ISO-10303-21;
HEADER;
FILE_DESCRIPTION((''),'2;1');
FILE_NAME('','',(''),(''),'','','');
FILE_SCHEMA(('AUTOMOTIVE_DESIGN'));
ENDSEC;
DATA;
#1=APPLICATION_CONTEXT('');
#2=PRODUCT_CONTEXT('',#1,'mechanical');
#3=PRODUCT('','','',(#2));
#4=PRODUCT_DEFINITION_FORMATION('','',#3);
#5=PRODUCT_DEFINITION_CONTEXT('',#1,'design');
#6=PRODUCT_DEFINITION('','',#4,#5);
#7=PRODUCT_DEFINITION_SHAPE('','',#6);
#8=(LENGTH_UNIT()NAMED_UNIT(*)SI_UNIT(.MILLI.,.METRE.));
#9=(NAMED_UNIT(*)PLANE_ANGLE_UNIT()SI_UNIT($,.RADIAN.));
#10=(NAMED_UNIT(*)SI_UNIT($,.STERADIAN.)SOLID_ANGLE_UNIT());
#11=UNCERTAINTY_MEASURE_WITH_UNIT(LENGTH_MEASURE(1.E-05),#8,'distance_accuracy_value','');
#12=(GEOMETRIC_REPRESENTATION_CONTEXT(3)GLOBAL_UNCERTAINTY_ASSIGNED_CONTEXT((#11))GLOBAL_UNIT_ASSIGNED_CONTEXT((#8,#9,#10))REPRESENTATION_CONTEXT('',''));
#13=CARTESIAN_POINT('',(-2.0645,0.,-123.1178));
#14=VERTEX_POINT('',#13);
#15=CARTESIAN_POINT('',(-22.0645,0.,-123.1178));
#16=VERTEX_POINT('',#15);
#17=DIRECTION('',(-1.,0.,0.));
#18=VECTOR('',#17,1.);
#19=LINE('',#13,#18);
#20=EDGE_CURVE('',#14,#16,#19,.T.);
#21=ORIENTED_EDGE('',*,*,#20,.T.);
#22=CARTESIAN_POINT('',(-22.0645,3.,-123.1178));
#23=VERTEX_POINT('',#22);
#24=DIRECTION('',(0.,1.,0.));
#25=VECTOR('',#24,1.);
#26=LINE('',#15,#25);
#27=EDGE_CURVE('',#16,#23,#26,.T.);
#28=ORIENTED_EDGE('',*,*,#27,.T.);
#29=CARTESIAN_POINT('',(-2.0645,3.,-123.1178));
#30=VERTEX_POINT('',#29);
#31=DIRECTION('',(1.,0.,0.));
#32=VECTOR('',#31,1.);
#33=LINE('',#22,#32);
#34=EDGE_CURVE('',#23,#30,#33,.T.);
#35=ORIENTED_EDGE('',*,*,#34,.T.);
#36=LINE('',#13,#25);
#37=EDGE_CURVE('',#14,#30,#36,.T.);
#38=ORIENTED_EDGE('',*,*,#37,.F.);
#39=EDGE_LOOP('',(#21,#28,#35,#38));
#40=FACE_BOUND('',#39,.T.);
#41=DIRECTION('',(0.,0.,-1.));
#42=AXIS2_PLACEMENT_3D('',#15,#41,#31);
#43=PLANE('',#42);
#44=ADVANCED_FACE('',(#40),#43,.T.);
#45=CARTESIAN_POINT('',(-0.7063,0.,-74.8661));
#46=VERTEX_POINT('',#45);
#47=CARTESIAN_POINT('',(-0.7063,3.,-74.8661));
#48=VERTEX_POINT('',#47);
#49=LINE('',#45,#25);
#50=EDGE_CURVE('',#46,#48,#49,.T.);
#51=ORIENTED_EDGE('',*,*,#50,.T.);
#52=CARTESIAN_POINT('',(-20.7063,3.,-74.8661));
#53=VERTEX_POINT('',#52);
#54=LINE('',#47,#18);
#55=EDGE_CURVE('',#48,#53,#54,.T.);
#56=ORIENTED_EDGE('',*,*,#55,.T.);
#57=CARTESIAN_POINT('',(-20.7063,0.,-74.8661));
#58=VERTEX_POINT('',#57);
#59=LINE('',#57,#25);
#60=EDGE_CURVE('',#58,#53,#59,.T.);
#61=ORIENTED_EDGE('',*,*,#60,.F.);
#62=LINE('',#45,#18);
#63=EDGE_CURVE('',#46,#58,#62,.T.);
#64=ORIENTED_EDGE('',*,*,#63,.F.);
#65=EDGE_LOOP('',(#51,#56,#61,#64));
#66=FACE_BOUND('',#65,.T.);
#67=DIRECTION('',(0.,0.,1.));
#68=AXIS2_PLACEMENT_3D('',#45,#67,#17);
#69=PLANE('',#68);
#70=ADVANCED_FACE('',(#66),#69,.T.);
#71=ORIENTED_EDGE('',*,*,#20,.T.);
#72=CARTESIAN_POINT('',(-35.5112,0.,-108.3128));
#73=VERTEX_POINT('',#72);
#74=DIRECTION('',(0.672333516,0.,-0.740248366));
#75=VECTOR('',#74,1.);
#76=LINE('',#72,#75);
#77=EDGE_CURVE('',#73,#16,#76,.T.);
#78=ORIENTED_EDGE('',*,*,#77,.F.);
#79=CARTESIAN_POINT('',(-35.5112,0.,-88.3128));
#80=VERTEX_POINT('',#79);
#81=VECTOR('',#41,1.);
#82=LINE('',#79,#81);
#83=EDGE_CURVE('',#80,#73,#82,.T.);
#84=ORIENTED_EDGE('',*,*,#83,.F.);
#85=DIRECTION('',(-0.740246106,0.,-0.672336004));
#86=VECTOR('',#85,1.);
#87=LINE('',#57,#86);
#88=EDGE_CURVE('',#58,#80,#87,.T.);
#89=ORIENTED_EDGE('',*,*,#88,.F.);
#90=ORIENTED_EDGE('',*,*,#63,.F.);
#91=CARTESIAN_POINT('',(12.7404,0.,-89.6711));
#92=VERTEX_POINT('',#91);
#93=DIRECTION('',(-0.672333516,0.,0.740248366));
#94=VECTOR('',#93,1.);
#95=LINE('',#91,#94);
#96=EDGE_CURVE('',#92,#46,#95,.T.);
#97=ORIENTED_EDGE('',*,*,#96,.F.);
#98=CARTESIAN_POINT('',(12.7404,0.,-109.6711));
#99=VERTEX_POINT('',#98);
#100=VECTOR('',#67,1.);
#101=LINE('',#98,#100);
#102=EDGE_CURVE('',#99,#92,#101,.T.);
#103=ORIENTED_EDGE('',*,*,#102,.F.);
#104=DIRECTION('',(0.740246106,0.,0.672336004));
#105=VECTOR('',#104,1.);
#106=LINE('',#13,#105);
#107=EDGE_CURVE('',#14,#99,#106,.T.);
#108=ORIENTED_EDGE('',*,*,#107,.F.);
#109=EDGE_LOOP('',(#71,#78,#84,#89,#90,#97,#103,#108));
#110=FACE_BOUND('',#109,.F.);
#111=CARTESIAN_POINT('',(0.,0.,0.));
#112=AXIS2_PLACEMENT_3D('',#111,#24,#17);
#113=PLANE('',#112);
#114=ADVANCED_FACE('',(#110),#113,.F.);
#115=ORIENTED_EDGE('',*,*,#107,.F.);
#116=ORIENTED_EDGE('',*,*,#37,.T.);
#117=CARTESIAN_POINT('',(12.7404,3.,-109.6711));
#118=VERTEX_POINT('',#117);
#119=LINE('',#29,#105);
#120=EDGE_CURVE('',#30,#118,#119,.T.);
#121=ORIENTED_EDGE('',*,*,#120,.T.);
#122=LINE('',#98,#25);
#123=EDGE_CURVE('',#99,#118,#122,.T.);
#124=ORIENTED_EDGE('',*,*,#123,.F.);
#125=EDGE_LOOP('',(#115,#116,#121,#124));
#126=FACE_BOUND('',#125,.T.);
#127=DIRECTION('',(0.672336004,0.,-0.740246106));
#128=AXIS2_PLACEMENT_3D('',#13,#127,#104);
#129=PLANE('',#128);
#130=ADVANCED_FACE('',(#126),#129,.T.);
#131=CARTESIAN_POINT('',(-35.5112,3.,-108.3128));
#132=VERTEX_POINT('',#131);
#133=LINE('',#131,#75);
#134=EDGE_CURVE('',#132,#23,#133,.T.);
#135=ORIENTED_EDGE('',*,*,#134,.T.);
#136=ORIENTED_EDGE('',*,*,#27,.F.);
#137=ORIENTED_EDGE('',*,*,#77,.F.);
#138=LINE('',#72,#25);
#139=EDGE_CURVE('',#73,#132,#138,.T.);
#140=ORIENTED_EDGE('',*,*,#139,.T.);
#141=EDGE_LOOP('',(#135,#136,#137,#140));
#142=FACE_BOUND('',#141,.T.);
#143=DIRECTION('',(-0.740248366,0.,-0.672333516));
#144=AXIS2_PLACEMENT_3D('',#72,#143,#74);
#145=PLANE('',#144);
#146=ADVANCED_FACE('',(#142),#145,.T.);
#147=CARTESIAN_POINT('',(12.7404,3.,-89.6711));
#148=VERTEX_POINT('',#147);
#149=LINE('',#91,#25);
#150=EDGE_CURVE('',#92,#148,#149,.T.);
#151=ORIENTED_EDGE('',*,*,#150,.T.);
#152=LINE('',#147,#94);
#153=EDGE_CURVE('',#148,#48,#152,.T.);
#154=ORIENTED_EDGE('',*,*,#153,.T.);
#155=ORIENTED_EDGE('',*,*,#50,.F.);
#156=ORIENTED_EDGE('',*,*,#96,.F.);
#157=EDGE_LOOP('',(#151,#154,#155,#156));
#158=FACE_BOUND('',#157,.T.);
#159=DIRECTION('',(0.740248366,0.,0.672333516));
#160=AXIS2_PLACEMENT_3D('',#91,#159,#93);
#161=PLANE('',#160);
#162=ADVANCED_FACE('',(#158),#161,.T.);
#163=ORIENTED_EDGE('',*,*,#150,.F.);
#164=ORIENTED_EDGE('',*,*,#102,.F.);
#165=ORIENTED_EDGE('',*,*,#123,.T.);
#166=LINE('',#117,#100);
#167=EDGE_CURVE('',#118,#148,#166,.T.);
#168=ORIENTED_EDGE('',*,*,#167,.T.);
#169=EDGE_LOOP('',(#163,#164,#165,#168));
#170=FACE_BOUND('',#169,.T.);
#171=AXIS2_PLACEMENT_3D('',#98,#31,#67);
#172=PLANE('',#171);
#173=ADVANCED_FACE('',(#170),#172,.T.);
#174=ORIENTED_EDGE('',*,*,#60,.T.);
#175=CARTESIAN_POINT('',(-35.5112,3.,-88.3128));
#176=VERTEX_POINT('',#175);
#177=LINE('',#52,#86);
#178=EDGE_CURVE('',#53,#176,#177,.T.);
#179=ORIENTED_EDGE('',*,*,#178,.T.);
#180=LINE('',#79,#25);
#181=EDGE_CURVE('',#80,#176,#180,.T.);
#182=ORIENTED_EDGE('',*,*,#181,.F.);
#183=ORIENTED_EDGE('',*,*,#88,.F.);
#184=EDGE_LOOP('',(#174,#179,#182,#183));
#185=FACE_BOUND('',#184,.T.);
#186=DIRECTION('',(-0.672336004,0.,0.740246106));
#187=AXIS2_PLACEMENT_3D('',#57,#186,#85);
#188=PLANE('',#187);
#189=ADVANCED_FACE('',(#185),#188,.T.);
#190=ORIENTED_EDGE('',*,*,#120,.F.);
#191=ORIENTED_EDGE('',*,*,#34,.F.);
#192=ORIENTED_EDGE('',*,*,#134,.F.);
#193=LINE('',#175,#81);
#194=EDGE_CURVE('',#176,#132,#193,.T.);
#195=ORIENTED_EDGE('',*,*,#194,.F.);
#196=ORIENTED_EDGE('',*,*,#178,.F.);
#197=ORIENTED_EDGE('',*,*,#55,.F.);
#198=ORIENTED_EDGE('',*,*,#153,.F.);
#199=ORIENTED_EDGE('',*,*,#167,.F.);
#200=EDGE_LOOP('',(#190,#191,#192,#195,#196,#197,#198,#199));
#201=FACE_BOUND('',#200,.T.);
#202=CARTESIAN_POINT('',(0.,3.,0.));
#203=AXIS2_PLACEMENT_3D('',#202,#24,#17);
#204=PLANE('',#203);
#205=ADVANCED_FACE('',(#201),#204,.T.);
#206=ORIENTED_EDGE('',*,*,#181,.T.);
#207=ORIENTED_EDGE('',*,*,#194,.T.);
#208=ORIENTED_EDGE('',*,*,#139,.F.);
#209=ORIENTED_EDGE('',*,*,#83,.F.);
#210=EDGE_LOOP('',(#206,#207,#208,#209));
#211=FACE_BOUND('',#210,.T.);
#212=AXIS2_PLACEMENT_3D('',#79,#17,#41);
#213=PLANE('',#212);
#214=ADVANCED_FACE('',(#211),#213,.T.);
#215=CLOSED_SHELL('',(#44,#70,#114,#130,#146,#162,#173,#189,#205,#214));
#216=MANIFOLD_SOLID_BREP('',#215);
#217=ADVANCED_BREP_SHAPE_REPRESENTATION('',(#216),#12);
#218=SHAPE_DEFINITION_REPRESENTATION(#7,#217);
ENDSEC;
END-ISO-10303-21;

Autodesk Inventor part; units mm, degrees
ref_plane "YZ Plane" through (0, 0, 0) normal (1, 0, 0) x (0, 1, 0)
ref_plane "XZ Plane" through (0, 0, 0) normal (0, 1, 0) x (-1, 0, 0)
ref_plane "XY Plane" through (0, 0, 0) normal (0, 0, 1) x (1, 0, 0)
sketch "Skizze1" plane through (0, 0, 0) normal (0, 1, 0) x (-1, 0, 0)
  line L0 (35.5112, -88.3128) -> (35.5112, -108.3128)
  line L1 (35.5112, -108.3128) -> (22.0645, -123.1178)
  line L2 (22.0645, -123.1178) -> (2.0645, -123.1178)
  line L3 (2.0645, -123.1178) -> (-12.7404, -109.6711)
  line L4 (-12.7404, -109.6711) -> (-12.7404, -89.6711)
  line L5 (-12.7404, -89.6711) -> (0.7063, -74.8661)
  line L6 (0.7063, -74.8661) -> (20.7063, -74.8661)
  line L7 (20.7063, -74.8661) -> (35.5112, -88.3128)
  point P0 (0, 0)
  dimension "d0" = 20
  dimension "d1" = 20
  dimension "d2" = 20
  dimension "d3" = 20
  dimension "d4" = 20
  dimension "d5" = 20
  dimension "d6" = 20
  dimension "d7" = 20
extrude "Extrusion1" add sketch "Skizze1" along normal blind 3
sketch "Skizze2" plane through (-2.0645, 0, -123.1178) normal (0, 0, -1) x (-1, 0, 0)
  circle A0 centre (10, 1.5) radius 2.5
  line L0 (0, 3) -> (20, 3) projected
  point P0 (-2.0645, 0)
  dimension "d11" = 5
  dimension "d12" = 1.5
extrude "Extrusion2" add sketch "Skizze2" along normal blind 81.748
sketch "Skizze3" plane through (-12.0645, 1.5, -204.8658) normal (0, 0, -1) x (-1, 0, 0)
  line L0 (-35, -15) -> (35, -15)
  line L1 (35, -15) -> (35, 15)
  line L2 (35, 15) -> (-35, 15)
  line L3 (-35, 15) -> (-35, -15)
  arc A0 (2, -1.5) -> (-2, -1.5) centre (0, 0) ccw projected
  line L4 (-35, -15) -> (35, 15) construction
  line L5 (35, -15) -> (-35, 15) construction
  point P0 (-12.0645, -1.5)
  point P1 (-2, 1.5)
  point P2 (0, -2.5)
  point P3 (0, 2.5)
  dimension "d15" = 70
  dimension "d16" = 30
extrude "Extrusion3" add sketch "Skizze3" against normal blind 2
sketch "Skizze6" plane through (-47.0645, -13.5, -204.8658) normal (0, -1, 0) x (1, 0, 0)
  line L0 (33, 81.748) -> (25, 81.748) projected
  line L1 (25, 81.748) -> (125.5267, 81.748)
  line L2 (125.5267, 81.748) -> (125.5267, -4.5987)
  line L3 (125.5267, -4.5987) -> (25, -4.5987)
  line L4 (25, -4.5987) -> (25, 81.748)
  line L5 (25, -4.5987) -> (-39.723, -4.5987)
  line L6 (-39.723, -4.5987) -> (-39.723, 43.9362)
  line L7 (-39.723, 43.9362) -> (25, 43.9362)
  line L8 (25, 43.9362) -> (25, -4.5987)
  point P0 (47.0645, 204.8658)
extrude "Extrusion5" cut sketch "Skizze6" against normal blind 50
properties part number "Stoppschild_Teil_Oben"
